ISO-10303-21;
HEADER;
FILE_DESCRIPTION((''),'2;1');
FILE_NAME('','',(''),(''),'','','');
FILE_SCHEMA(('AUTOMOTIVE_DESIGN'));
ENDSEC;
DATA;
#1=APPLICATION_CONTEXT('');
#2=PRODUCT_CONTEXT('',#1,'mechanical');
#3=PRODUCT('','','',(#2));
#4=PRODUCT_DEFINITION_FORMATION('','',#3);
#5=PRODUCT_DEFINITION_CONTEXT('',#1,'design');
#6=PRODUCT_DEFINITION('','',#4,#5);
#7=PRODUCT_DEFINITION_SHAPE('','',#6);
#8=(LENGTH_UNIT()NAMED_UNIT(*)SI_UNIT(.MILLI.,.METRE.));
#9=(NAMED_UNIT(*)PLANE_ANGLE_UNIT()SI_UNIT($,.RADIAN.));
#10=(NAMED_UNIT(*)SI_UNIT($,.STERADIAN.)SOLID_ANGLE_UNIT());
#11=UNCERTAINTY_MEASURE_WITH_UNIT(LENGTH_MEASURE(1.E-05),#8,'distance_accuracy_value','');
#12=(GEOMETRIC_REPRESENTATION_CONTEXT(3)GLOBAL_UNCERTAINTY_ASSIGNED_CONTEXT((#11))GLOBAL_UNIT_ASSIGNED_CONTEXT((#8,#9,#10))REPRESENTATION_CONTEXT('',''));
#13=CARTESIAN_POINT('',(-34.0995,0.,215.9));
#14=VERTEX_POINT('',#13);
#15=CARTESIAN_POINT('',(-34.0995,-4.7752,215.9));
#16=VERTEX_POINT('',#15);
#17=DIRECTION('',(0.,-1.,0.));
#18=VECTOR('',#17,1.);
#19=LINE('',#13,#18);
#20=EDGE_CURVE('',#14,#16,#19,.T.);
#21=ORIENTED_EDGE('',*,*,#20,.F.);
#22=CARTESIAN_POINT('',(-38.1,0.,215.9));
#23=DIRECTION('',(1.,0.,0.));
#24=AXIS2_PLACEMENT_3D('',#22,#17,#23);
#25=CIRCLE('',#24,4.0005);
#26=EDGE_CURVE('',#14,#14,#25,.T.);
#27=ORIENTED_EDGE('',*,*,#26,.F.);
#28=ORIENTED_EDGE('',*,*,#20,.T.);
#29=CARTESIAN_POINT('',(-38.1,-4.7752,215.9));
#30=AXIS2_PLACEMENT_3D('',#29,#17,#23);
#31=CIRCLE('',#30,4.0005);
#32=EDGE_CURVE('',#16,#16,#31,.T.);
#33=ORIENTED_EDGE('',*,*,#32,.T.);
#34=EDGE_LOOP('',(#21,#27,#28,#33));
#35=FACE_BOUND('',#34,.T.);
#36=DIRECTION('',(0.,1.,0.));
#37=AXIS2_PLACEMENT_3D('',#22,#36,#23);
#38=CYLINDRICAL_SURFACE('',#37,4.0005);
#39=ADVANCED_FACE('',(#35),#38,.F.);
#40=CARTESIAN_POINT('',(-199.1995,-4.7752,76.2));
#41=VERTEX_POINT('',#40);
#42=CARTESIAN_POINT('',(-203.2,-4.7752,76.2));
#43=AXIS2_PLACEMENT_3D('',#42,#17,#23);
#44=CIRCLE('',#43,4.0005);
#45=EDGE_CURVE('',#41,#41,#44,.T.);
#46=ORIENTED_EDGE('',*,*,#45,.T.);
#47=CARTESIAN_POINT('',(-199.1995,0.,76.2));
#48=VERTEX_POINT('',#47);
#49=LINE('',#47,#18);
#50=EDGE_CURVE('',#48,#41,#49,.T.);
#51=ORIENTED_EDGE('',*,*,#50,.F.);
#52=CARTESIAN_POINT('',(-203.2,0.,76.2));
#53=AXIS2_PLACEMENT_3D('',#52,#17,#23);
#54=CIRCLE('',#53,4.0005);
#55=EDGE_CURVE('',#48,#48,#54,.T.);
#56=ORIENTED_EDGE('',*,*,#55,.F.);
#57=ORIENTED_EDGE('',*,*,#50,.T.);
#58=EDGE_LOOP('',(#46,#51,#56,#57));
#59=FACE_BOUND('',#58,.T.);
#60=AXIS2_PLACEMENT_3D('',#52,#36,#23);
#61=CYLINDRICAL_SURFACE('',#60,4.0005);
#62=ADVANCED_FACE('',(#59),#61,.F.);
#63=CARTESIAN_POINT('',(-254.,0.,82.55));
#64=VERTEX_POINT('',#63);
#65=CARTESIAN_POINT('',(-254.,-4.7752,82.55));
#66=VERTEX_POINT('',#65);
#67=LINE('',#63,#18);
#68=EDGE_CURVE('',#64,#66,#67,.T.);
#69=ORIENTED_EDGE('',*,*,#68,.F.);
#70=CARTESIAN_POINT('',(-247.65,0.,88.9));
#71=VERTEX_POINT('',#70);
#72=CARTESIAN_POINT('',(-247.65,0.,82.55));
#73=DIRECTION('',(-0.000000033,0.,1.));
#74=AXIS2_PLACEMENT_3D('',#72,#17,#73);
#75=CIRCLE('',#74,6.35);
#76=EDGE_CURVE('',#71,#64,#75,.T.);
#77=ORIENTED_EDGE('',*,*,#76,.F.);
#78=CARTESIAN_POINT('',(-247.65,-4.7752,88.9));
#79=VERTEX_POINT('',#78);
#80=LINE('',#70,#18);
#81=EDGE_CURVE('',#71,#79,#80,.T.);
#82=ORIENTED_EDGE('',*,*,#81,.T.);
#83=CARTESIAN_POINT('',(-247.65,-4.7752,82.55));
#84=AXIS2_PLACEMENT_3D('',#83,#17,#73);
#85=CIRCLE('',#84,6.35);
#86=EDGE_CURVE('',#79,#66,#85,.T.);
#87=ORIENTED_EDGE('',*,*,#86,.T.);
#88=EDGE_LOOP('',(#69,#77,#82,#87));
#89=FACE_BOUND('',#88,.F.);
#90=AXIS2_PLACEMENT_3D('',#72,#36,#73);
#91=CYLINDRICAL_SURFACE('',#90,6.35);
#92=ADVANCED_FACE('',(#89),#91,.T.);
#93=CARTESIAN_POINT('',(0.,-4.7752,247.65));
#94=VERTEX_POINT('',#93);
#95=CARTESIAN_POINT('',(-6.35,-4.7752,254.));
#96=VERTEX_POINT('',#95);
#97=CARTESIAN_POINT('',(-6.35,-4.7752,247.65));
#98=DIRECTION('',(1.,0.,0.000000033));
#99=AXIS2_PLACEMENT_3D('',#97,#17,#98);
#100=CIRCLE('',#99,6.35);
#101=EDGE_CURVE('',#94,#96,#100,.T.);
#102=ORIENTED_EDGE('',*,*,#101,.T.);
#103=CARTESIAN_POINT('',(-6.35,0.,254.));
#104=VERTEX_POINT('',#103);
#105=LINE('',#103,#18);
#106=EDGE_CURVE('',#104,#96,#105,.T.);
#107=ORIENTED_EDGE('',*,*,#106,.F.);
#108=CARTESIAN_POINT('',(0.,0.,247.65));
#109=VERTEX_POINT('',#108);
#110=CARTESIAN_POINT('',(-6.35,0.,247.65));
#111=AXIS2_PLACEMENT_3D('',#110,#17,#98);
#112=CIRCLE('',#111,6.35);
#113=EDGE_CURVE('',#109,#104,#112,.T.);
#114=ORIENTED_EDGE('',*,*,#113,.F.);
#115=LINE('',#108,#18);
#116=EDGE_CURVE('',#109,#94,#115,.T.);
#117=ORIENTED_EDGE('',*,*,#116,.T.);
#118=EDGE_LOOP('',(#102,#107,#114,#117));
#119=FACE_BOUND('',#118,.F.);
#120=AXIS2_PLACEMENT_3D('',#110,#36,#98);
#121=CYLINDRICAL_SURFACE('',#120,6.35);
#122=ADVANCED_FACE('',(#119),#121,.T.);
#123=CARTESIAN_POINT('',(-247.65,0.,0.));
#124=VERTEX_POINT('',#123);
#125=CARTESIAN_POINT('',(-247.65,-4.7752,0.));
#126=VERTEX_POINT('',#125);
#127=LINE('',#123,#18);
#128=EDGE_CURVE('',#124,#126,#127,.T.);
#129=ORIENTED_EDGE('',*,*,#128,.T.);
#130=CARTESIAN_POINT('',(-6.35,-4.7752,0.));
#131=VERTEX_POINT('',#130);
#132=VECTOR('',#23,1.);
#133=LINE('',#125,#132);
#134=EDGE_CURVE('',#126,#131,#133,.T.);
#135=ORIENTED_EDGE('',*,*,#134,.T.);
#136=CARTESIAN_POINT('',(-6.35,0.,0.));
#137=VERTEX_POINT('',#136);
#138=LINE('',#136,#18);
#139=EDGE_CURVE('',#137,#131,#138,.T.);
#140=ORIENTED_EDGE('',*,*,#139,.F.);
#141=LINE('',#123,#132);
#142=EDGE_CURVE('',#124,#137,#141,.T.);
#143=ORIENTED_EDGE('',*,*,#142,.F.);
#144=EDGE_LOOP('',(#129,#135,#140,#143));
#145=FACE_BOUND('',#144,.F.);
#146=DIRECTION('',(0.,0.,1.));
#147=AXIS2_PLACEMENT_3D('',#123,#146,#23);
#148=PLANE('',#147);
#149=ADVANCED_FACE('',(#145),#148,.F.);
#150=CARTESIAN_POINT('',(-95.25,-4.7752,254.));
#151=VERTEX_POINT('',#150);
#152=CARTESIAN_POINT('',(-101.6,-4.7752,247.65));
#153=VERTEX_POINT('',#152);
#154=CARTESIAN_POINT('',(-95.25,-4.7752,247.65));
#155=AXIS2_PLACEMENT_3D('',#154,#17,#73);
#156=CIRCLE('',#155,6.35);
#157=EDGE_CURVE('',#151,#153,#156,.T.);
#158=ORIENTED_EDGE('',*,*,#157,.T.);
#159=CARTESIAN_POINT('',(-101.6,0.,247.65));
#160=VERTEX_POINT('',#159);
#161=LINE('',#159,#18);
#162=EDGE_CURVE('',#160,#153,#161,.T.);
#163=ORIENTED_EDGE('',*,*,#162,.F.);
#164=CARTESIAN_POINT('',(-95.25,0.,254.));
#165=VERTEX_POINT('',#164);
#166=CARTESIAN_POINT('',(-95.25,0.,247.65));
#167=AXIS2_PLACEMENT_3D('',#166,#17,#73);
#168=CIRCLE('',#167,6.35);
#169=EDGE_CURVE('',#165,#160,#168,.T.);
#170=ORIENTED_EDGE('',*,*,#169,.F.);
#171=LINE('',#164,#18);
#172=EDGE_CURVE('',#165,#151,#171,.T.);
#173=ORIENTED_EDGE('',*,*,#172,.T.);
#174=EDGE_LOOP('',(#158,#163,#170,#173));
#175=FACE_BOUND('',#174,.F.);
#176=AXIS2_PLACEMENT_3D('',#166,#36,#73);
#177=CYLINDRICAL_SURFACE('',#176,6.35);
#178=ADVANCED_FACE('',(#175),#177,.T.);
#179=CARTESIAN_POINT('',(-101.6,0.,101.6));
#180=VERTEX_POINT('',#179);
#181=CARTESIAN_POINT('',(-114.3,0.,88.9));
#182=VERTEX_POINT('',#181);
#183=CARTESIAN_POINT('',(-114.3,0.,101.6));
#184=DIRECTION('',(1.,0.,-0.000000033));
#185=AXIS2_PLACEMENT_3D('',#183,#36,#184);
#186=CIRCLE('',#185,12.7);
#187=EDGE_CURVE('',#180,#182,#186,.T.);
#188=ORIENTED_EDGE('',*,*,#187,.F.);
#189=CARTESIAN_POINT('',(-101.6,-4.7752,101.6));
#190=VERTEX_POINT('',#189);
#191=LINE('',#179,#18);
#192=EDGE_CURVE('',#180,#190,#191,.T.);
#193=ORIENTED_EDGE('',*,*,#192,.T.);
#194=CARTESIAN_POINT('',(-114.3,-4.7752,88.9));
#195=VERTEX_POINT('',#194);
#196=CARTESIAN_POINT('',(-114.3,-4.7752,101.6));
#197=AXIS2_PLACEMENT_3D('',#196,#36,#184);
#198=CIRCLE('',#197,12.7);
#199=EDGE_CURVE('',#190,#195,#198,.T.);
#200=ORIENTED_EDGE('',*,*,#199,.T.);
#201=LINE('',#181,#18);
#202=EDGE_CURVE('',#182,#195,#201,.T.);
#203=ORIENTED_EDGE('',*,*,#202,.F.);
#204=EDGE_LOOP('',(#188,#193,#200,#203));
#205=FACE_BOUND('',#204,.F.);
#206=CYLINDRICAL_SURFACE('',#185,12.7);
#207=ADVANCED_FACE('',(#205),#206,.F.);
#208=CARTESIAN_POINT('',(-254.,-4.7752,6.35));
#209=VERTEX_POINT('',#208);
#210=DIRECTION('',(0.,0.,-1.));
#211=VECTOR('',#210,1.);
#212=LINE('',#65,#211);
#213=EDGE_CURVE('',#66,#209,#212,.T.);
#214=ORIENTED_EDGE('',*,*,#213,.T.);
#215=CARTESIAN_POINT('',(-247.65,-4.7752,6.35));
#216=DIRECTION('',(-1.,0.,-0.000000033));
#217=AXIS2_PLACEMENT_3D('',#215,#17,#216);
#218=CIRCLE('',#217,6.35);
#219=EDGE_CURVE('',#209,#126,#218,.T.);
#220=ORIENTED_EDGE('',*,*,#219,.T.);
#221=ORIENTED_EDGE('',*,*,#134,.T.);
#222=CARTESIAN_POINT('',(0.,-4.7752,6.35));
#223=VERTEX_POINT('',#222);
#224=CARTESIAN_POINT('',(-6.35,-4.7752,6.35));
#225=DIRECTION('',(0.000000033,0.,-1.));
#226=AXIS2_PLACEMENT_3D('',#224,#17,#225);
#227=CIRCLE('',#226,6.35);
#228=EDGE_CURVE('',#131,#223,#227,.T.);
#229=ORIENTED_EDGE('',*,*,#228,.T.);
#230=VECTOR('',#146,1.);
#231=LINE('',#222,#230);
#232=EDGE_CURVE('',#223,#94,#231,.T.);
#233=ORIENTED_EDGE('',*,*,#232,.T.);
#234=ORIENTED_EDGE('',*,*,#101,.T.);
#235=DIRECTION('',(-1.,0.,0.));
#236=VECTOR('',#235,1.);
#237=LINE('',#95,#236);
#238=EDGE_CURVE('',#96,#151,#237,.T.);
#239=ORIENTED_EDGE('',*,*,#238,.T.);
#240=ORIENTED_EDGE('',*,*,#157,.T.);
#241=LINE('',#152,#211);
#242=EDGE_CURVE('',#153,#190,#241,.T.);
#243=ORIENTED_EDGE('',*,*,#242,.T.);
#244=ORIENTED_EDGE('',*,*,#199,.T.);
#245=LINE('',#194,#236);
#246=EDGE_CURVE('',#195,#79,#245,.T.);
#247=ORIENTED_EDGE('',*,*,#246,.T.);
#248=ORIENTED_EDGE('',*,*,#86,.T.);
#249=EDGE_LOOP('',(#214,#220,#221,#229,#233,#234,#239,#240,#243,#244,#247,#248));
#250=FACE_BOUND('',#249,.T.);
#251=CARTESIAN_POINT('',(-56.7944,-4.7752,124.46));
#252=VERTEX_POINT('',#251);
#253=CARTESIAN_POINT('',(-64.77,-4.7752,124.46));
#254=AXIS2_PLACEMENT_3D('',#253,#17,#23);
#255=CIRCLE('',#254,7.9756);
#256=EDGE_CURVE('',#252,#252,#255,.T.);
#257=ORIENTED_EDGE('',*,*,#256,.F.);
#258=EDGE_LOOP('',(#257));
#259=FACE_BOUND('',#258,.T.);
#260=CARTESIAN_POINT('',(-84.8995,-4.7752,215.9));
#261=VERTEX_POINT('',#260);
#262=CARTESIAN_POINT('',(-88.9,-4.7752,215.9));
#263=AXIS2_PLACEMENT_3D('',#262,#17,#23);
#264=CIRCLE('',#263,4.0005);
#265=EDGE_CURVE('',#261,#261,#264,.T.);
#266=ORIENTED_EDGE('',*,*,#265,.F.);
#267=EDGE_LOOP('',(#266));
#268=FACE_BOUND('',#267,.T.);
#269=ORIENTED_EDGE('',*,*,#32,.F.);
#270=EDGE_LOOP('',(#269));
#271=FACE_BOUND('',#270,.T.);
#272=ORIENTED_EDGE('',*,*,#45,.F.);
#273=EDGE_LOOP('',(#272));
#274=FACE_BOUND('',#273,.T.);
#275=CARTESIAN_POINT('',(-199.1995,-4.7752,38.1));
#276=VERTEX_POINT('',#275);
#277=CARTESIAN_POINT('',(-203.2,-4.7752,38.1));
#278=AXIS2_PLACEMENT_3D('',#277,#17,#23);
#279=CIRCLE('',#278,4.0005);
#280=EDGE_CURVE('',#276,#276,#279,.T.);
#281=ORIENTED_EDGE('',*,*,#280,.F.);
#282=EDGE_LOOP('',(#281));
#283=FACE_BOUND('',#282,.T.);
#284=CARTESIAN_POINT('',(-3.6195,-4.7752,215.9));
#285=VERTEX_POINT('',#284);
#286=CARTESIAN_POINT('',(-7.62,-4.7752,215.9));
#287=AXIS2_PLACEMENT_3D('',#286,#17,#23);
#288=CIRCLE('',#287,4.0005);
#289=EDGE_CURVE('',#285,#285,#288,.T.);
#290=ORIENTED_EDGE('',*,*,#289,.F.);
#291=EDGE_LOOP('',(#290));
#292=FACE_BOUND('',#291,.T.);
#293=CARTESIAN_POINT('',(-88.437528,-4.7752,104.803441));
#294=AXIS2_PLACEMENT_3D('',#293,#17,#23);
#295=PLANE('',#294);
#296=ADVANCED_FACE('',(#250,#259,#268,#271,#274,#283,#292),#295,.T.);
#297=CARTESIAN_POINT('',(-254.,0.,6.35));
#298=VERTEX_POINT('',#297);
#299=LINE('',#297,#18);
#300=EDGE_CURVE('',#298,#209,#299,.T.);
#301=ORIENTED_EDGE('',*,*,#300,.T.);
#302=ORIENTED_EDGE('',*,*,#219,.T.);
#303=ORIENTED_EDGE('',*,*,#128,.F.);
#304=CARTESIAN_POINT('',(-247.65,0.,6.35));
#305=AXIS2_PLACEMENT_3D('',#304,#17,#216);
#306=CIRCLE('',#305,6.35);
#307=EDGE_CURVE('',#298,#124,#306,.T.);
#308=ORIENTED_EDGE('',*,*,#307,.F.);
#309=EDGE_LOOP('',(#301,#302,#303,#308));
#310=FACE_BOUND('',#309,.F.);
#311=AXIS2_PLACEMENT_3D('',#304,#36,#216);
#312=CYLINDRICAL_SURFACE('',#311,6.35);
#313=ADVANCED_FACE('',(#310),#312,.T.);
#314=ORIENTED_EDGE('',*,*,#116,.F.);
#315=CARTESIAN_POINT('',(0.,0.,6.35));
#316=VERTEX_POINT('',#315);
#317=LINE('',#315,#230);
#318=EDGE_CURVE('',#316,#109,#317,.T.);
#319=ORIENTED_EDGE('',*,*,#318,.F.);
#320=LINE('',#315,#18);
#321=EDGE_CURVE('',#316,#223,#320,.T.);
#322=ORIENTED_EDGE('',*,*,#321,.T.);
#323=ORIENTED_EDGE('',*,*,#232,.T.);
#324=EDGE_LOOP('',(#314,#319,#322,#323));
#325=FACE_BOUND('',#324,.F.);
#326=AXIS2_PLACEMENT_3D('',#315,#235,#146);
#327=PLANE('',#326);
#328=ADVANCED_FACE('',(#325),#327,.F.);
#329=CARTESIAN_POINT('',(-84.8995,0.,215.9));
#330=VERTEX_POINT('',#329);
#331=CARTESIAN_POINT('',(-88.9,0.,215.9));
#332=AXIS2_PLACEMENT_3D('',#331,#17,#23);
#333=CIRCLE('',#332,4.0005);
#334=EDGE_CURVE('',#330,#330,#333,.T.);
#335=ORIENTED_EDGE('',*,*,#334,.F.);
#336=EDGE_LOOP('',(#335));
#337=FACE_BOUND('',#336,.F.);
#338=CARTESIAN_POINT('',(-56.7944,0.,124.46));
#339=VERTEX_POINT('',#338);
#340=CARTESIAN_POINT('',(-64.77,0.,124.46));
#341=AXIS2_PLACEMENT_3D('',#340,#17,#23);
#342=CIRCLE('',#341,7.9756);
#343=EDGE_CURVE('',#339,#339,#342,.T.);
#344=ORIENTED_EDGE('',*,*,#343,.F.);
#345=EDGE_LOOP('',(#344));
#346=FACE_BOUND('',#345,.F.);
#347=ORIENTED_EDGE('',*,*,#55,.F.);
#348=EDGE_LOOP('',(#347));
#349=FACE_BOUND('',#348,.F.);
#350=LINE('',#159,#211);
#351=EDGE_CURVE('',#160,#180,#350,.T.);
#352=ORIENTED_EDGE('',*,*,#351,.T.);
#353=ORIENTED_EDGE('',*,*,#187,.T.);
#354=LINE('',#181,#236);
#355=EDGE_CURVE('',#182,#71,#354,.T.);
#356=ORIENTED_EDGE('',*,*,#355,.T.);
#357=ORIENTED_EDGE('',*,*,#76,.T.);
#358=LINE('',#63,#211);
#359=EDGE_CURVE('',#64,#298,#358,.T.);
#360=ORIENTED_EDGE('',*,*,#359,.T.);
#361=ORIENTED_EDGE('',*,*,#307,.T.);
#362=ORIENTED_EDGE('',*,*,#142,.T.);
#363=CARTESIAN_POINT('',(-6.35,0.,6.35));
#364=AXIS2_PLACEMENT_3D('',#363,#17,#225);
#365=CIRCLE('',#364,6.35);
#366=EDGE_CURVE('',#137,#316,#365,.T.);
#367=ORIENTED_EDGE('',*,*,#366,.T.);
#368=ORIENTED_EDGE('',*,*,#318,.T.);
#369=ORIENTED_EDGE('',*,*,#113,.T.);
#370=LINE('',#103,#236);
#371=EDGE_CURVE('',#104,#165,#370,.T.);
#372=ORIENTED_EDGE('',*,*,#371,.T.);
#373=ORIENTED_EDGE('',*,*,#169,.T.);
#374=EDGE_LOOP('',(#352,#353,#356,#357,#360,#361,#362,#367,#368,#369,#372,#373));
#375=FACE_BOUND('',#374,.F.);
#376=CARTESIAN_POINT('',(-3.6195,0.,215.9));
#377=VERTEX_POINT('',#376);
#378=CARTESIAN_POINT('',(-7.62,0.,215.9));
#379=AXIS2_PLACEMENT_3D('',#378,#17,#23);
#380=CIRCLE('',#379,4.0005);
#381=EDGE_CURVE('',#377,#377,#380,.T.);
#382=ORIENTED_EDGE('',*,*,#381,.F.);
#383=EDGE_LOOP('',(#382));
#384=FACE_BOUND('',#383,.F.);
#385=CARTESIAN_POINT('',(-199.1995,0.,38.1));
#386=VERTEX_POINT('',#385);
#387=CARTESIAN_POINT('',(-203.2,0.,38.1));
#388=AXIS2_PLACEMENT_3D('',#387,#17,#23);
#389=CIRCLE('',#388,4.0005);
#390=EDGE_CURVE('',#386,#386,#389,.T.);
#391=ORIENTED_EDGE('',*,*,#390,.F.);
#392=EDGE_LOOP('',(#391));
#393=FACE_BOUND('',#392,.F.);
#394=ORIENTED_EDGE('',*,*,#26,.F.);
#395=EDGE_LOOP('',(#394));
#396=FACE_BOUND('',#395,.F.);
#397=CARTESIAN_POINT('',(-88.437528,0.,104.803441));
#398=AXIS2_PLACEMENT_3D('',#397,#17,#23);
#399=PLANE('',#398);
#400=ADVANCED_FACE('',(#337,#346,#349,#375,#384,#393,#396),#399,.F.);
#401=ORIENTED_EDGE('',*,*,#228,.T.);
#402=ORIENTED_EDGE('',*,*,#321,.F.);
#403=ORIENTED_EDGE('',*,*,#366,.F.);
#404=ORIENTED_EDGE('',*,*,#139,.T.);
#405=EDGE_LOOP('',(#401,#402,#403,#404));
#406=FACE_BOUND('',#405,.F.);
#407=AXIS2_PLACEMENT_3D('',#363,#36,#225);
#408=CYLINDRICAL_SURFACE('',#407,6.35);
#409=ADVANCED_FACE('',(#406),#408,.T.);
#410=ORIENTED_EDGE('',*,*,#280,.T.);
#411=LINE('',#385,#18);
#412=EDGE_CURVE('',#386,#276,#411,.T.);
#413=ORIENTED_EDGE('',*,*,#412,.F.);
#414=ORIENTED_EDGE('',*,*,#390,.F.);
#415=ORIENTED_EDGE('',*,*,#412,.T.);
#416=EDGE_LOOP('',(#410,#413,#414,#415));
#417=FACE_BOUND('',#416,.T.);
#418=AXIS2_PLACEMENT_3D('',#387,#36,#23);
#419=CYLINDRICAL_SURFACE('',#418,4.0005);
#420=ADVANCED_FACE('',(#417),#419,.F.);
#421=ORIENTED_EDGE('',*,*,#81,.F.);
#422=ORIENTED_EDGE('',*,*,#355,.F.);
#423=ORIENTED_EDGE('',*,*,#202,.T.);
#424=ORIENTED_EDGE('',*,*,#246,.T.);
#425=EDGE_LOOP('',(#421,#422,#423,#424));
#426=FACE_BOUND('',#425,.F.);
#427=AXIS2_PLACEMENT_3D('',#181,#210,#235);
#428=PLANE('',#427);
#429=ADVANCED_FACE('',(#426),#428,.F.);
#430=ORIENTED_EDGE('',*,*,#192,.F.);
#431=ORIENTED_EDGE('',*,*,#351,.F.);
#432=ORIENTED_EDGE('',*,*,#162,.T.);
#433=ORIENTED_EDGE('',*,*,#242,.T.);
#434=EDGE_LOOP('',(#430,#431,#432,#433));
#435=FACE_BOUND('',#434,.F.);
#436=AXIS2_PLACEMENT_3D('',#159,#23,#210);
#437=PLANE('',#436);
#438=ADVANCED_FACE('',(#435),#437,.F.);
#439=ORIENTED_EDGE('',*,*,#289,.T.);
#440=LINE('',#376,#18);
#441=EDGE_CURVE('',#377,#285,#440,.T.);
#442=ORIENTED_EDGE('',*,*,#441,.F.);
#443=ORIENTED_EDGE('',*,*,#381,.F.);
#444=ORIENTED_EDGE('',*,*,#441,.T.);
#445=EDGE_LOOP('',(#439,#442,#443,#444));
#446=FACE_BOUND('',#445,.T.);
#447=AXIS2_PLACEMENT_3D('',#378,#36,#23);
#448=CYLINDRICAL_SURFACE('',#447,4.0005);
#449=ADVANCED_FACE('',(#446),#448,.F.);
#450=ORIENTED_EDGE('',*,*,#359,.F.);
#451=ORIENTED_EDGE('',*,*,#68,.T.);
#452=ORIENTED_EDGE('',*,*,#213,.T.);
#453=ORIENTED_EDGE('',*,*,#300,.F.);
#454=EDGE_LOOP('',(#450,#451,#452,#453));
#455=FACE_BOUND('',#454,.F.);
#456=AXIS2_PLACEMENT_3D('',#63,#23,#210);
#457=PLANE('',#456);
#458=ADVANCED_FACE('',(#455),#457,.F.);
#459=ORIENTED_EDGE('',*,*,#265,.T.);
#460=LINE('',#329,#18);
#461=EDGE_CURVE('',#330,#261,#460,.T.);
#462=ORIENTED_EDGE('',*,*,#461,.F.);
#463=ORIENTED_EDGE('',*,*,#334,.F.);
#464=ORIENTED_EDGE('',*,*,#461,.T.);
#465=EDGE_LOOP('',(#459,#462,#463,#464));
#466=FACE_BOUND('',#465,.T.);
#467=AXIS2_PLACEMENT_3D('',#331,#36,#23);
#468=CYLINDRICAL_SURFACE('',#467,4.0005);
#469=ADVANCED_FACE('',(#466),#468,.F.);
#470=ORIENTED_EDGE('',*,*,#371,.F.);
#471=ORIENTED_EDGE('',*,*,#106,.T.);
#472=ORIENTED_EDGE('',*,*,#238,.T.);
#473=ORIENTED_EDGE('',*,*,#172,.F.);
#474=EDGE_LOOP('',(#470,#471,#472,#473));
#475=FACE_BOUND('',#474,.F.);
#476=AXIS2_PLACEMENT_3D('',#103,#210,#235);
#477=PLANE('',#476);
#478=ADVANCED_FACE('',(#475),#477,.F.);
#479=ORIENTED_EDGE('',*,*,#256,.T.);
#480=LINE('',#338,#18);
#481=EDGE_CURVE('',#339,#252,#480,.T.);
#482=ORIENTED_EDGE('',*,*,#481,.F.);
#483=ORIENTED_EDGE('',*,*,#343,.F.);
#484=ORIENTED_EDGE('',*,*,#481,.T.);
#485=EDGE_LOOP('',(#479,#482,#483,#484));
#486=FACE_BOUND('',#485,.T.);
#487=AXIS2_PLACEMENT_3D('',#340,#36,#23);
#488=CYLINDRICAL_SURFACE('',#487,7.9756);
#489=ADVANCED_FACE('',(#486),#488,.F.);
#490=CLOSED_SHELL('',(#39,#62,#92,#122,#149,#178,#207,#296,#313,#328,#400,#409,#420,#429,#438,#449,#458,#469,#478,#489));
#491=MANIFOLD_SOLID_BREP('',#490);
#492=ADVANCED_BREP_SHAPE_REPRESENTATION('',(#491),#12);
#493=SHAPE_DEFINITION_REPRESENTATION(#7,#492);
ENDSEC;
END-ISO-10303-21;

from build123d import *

# Parameters (mm, degrees)
F0_R     = 4.0005
F0_R_2   = 9.525
F0_R_3   = 7.9756
F1_DEPTH = 4.7752


with BuildPart() as f1:
    # F0 (on Front) → F1 (new body)
    with BuildSketch(Plane.XZ):
        with BuildLine():
            ThreePointArc((-6.35, 0), (-1.859872, 1.859872), (0, 6.35))
            Line((0, 6.35), (0, 247.65))
            ThreePointArc((0, 247.65), (-1.859872, 252.140128), (-6.35, 254))
            Line((-6.35, 254), (-95.25, 254))
            ThreePointArc((-95.25, 254), (-99.740128, 252.140128), (-101.6, 247.65))
            Line((-101.6, 247.65), (-101.6, 176.188146))
            ThreePointArc((-101.6, 176.188146), (-35.670644, 180.900035), (-1.27, 124.46))
            ThreePointArc((-1.27, 124.46), (-46.17483, 63.743695), (-117.379281, 88.9))
            Line((-117.379281, 88.9), (-247.65, 88.9))
            ThreePointArc((-247.65, 88.9), (-252.140128, 87.040128), (-254, 82.55))
            Line((-254, 82.55), (-254, 6.35))
            ThreePointArc((-254, 6.35), (-252.140128, 1.859872), (-247.65, 0))
            Line((-247.65, 0), (-6.35, 0))
        make_face()
        with Locations((-203.2, 38.1)):
            Circle(F0_R, mode=Mode.SUBTRACT)
        with Locations((-203.2, 76.2)):
            Circle(F0_R, mode=Mode.SUBTRACT)
        with Locations((-33.35242, 48.26)):
            Circle(F0_R_2, mode=Mode.SUBTRACT)
        with Locations((-88.9, 215.9)):
            Circle(F0_R, mode=Mode.SUBTRACT)
        with Locations((-38.1, 215.9)):
            Circle(F0_R, mode=Mode.SUBTRACT)
        with Locations((-7.62, 215.9)):
            Circle(F0_R, mode=Mode.SUBTRACT)
        with Locations((-33.35242, 48.26)):
            Circle(F0_R_2)
        with BuildLine():
            ThreePointArc((-1.27, 124.46), (-35.670644, 180.900035), (-101.6, 176.188146))
            Line((-101.6, 176.188146), (-101.6, 101.6))
            ThreePointArc((-101.6, 101.6), (-105.319744, 92.619744), (-114.3, 88.9))
            Line((-114.3, 88.9), (-117.379281, 88.9))
            ThreePointArc((-117.379281, 88.9), (-46.17483, 63.743695), (-1.27, 124.46))
        make_face()
        with Locations((-64.77, 124.46)):
            Circle(F0_R_3, mode=Mode.SUBTRACT)
    extrude(amount=F1_DEPTH)


solid = f1.part
